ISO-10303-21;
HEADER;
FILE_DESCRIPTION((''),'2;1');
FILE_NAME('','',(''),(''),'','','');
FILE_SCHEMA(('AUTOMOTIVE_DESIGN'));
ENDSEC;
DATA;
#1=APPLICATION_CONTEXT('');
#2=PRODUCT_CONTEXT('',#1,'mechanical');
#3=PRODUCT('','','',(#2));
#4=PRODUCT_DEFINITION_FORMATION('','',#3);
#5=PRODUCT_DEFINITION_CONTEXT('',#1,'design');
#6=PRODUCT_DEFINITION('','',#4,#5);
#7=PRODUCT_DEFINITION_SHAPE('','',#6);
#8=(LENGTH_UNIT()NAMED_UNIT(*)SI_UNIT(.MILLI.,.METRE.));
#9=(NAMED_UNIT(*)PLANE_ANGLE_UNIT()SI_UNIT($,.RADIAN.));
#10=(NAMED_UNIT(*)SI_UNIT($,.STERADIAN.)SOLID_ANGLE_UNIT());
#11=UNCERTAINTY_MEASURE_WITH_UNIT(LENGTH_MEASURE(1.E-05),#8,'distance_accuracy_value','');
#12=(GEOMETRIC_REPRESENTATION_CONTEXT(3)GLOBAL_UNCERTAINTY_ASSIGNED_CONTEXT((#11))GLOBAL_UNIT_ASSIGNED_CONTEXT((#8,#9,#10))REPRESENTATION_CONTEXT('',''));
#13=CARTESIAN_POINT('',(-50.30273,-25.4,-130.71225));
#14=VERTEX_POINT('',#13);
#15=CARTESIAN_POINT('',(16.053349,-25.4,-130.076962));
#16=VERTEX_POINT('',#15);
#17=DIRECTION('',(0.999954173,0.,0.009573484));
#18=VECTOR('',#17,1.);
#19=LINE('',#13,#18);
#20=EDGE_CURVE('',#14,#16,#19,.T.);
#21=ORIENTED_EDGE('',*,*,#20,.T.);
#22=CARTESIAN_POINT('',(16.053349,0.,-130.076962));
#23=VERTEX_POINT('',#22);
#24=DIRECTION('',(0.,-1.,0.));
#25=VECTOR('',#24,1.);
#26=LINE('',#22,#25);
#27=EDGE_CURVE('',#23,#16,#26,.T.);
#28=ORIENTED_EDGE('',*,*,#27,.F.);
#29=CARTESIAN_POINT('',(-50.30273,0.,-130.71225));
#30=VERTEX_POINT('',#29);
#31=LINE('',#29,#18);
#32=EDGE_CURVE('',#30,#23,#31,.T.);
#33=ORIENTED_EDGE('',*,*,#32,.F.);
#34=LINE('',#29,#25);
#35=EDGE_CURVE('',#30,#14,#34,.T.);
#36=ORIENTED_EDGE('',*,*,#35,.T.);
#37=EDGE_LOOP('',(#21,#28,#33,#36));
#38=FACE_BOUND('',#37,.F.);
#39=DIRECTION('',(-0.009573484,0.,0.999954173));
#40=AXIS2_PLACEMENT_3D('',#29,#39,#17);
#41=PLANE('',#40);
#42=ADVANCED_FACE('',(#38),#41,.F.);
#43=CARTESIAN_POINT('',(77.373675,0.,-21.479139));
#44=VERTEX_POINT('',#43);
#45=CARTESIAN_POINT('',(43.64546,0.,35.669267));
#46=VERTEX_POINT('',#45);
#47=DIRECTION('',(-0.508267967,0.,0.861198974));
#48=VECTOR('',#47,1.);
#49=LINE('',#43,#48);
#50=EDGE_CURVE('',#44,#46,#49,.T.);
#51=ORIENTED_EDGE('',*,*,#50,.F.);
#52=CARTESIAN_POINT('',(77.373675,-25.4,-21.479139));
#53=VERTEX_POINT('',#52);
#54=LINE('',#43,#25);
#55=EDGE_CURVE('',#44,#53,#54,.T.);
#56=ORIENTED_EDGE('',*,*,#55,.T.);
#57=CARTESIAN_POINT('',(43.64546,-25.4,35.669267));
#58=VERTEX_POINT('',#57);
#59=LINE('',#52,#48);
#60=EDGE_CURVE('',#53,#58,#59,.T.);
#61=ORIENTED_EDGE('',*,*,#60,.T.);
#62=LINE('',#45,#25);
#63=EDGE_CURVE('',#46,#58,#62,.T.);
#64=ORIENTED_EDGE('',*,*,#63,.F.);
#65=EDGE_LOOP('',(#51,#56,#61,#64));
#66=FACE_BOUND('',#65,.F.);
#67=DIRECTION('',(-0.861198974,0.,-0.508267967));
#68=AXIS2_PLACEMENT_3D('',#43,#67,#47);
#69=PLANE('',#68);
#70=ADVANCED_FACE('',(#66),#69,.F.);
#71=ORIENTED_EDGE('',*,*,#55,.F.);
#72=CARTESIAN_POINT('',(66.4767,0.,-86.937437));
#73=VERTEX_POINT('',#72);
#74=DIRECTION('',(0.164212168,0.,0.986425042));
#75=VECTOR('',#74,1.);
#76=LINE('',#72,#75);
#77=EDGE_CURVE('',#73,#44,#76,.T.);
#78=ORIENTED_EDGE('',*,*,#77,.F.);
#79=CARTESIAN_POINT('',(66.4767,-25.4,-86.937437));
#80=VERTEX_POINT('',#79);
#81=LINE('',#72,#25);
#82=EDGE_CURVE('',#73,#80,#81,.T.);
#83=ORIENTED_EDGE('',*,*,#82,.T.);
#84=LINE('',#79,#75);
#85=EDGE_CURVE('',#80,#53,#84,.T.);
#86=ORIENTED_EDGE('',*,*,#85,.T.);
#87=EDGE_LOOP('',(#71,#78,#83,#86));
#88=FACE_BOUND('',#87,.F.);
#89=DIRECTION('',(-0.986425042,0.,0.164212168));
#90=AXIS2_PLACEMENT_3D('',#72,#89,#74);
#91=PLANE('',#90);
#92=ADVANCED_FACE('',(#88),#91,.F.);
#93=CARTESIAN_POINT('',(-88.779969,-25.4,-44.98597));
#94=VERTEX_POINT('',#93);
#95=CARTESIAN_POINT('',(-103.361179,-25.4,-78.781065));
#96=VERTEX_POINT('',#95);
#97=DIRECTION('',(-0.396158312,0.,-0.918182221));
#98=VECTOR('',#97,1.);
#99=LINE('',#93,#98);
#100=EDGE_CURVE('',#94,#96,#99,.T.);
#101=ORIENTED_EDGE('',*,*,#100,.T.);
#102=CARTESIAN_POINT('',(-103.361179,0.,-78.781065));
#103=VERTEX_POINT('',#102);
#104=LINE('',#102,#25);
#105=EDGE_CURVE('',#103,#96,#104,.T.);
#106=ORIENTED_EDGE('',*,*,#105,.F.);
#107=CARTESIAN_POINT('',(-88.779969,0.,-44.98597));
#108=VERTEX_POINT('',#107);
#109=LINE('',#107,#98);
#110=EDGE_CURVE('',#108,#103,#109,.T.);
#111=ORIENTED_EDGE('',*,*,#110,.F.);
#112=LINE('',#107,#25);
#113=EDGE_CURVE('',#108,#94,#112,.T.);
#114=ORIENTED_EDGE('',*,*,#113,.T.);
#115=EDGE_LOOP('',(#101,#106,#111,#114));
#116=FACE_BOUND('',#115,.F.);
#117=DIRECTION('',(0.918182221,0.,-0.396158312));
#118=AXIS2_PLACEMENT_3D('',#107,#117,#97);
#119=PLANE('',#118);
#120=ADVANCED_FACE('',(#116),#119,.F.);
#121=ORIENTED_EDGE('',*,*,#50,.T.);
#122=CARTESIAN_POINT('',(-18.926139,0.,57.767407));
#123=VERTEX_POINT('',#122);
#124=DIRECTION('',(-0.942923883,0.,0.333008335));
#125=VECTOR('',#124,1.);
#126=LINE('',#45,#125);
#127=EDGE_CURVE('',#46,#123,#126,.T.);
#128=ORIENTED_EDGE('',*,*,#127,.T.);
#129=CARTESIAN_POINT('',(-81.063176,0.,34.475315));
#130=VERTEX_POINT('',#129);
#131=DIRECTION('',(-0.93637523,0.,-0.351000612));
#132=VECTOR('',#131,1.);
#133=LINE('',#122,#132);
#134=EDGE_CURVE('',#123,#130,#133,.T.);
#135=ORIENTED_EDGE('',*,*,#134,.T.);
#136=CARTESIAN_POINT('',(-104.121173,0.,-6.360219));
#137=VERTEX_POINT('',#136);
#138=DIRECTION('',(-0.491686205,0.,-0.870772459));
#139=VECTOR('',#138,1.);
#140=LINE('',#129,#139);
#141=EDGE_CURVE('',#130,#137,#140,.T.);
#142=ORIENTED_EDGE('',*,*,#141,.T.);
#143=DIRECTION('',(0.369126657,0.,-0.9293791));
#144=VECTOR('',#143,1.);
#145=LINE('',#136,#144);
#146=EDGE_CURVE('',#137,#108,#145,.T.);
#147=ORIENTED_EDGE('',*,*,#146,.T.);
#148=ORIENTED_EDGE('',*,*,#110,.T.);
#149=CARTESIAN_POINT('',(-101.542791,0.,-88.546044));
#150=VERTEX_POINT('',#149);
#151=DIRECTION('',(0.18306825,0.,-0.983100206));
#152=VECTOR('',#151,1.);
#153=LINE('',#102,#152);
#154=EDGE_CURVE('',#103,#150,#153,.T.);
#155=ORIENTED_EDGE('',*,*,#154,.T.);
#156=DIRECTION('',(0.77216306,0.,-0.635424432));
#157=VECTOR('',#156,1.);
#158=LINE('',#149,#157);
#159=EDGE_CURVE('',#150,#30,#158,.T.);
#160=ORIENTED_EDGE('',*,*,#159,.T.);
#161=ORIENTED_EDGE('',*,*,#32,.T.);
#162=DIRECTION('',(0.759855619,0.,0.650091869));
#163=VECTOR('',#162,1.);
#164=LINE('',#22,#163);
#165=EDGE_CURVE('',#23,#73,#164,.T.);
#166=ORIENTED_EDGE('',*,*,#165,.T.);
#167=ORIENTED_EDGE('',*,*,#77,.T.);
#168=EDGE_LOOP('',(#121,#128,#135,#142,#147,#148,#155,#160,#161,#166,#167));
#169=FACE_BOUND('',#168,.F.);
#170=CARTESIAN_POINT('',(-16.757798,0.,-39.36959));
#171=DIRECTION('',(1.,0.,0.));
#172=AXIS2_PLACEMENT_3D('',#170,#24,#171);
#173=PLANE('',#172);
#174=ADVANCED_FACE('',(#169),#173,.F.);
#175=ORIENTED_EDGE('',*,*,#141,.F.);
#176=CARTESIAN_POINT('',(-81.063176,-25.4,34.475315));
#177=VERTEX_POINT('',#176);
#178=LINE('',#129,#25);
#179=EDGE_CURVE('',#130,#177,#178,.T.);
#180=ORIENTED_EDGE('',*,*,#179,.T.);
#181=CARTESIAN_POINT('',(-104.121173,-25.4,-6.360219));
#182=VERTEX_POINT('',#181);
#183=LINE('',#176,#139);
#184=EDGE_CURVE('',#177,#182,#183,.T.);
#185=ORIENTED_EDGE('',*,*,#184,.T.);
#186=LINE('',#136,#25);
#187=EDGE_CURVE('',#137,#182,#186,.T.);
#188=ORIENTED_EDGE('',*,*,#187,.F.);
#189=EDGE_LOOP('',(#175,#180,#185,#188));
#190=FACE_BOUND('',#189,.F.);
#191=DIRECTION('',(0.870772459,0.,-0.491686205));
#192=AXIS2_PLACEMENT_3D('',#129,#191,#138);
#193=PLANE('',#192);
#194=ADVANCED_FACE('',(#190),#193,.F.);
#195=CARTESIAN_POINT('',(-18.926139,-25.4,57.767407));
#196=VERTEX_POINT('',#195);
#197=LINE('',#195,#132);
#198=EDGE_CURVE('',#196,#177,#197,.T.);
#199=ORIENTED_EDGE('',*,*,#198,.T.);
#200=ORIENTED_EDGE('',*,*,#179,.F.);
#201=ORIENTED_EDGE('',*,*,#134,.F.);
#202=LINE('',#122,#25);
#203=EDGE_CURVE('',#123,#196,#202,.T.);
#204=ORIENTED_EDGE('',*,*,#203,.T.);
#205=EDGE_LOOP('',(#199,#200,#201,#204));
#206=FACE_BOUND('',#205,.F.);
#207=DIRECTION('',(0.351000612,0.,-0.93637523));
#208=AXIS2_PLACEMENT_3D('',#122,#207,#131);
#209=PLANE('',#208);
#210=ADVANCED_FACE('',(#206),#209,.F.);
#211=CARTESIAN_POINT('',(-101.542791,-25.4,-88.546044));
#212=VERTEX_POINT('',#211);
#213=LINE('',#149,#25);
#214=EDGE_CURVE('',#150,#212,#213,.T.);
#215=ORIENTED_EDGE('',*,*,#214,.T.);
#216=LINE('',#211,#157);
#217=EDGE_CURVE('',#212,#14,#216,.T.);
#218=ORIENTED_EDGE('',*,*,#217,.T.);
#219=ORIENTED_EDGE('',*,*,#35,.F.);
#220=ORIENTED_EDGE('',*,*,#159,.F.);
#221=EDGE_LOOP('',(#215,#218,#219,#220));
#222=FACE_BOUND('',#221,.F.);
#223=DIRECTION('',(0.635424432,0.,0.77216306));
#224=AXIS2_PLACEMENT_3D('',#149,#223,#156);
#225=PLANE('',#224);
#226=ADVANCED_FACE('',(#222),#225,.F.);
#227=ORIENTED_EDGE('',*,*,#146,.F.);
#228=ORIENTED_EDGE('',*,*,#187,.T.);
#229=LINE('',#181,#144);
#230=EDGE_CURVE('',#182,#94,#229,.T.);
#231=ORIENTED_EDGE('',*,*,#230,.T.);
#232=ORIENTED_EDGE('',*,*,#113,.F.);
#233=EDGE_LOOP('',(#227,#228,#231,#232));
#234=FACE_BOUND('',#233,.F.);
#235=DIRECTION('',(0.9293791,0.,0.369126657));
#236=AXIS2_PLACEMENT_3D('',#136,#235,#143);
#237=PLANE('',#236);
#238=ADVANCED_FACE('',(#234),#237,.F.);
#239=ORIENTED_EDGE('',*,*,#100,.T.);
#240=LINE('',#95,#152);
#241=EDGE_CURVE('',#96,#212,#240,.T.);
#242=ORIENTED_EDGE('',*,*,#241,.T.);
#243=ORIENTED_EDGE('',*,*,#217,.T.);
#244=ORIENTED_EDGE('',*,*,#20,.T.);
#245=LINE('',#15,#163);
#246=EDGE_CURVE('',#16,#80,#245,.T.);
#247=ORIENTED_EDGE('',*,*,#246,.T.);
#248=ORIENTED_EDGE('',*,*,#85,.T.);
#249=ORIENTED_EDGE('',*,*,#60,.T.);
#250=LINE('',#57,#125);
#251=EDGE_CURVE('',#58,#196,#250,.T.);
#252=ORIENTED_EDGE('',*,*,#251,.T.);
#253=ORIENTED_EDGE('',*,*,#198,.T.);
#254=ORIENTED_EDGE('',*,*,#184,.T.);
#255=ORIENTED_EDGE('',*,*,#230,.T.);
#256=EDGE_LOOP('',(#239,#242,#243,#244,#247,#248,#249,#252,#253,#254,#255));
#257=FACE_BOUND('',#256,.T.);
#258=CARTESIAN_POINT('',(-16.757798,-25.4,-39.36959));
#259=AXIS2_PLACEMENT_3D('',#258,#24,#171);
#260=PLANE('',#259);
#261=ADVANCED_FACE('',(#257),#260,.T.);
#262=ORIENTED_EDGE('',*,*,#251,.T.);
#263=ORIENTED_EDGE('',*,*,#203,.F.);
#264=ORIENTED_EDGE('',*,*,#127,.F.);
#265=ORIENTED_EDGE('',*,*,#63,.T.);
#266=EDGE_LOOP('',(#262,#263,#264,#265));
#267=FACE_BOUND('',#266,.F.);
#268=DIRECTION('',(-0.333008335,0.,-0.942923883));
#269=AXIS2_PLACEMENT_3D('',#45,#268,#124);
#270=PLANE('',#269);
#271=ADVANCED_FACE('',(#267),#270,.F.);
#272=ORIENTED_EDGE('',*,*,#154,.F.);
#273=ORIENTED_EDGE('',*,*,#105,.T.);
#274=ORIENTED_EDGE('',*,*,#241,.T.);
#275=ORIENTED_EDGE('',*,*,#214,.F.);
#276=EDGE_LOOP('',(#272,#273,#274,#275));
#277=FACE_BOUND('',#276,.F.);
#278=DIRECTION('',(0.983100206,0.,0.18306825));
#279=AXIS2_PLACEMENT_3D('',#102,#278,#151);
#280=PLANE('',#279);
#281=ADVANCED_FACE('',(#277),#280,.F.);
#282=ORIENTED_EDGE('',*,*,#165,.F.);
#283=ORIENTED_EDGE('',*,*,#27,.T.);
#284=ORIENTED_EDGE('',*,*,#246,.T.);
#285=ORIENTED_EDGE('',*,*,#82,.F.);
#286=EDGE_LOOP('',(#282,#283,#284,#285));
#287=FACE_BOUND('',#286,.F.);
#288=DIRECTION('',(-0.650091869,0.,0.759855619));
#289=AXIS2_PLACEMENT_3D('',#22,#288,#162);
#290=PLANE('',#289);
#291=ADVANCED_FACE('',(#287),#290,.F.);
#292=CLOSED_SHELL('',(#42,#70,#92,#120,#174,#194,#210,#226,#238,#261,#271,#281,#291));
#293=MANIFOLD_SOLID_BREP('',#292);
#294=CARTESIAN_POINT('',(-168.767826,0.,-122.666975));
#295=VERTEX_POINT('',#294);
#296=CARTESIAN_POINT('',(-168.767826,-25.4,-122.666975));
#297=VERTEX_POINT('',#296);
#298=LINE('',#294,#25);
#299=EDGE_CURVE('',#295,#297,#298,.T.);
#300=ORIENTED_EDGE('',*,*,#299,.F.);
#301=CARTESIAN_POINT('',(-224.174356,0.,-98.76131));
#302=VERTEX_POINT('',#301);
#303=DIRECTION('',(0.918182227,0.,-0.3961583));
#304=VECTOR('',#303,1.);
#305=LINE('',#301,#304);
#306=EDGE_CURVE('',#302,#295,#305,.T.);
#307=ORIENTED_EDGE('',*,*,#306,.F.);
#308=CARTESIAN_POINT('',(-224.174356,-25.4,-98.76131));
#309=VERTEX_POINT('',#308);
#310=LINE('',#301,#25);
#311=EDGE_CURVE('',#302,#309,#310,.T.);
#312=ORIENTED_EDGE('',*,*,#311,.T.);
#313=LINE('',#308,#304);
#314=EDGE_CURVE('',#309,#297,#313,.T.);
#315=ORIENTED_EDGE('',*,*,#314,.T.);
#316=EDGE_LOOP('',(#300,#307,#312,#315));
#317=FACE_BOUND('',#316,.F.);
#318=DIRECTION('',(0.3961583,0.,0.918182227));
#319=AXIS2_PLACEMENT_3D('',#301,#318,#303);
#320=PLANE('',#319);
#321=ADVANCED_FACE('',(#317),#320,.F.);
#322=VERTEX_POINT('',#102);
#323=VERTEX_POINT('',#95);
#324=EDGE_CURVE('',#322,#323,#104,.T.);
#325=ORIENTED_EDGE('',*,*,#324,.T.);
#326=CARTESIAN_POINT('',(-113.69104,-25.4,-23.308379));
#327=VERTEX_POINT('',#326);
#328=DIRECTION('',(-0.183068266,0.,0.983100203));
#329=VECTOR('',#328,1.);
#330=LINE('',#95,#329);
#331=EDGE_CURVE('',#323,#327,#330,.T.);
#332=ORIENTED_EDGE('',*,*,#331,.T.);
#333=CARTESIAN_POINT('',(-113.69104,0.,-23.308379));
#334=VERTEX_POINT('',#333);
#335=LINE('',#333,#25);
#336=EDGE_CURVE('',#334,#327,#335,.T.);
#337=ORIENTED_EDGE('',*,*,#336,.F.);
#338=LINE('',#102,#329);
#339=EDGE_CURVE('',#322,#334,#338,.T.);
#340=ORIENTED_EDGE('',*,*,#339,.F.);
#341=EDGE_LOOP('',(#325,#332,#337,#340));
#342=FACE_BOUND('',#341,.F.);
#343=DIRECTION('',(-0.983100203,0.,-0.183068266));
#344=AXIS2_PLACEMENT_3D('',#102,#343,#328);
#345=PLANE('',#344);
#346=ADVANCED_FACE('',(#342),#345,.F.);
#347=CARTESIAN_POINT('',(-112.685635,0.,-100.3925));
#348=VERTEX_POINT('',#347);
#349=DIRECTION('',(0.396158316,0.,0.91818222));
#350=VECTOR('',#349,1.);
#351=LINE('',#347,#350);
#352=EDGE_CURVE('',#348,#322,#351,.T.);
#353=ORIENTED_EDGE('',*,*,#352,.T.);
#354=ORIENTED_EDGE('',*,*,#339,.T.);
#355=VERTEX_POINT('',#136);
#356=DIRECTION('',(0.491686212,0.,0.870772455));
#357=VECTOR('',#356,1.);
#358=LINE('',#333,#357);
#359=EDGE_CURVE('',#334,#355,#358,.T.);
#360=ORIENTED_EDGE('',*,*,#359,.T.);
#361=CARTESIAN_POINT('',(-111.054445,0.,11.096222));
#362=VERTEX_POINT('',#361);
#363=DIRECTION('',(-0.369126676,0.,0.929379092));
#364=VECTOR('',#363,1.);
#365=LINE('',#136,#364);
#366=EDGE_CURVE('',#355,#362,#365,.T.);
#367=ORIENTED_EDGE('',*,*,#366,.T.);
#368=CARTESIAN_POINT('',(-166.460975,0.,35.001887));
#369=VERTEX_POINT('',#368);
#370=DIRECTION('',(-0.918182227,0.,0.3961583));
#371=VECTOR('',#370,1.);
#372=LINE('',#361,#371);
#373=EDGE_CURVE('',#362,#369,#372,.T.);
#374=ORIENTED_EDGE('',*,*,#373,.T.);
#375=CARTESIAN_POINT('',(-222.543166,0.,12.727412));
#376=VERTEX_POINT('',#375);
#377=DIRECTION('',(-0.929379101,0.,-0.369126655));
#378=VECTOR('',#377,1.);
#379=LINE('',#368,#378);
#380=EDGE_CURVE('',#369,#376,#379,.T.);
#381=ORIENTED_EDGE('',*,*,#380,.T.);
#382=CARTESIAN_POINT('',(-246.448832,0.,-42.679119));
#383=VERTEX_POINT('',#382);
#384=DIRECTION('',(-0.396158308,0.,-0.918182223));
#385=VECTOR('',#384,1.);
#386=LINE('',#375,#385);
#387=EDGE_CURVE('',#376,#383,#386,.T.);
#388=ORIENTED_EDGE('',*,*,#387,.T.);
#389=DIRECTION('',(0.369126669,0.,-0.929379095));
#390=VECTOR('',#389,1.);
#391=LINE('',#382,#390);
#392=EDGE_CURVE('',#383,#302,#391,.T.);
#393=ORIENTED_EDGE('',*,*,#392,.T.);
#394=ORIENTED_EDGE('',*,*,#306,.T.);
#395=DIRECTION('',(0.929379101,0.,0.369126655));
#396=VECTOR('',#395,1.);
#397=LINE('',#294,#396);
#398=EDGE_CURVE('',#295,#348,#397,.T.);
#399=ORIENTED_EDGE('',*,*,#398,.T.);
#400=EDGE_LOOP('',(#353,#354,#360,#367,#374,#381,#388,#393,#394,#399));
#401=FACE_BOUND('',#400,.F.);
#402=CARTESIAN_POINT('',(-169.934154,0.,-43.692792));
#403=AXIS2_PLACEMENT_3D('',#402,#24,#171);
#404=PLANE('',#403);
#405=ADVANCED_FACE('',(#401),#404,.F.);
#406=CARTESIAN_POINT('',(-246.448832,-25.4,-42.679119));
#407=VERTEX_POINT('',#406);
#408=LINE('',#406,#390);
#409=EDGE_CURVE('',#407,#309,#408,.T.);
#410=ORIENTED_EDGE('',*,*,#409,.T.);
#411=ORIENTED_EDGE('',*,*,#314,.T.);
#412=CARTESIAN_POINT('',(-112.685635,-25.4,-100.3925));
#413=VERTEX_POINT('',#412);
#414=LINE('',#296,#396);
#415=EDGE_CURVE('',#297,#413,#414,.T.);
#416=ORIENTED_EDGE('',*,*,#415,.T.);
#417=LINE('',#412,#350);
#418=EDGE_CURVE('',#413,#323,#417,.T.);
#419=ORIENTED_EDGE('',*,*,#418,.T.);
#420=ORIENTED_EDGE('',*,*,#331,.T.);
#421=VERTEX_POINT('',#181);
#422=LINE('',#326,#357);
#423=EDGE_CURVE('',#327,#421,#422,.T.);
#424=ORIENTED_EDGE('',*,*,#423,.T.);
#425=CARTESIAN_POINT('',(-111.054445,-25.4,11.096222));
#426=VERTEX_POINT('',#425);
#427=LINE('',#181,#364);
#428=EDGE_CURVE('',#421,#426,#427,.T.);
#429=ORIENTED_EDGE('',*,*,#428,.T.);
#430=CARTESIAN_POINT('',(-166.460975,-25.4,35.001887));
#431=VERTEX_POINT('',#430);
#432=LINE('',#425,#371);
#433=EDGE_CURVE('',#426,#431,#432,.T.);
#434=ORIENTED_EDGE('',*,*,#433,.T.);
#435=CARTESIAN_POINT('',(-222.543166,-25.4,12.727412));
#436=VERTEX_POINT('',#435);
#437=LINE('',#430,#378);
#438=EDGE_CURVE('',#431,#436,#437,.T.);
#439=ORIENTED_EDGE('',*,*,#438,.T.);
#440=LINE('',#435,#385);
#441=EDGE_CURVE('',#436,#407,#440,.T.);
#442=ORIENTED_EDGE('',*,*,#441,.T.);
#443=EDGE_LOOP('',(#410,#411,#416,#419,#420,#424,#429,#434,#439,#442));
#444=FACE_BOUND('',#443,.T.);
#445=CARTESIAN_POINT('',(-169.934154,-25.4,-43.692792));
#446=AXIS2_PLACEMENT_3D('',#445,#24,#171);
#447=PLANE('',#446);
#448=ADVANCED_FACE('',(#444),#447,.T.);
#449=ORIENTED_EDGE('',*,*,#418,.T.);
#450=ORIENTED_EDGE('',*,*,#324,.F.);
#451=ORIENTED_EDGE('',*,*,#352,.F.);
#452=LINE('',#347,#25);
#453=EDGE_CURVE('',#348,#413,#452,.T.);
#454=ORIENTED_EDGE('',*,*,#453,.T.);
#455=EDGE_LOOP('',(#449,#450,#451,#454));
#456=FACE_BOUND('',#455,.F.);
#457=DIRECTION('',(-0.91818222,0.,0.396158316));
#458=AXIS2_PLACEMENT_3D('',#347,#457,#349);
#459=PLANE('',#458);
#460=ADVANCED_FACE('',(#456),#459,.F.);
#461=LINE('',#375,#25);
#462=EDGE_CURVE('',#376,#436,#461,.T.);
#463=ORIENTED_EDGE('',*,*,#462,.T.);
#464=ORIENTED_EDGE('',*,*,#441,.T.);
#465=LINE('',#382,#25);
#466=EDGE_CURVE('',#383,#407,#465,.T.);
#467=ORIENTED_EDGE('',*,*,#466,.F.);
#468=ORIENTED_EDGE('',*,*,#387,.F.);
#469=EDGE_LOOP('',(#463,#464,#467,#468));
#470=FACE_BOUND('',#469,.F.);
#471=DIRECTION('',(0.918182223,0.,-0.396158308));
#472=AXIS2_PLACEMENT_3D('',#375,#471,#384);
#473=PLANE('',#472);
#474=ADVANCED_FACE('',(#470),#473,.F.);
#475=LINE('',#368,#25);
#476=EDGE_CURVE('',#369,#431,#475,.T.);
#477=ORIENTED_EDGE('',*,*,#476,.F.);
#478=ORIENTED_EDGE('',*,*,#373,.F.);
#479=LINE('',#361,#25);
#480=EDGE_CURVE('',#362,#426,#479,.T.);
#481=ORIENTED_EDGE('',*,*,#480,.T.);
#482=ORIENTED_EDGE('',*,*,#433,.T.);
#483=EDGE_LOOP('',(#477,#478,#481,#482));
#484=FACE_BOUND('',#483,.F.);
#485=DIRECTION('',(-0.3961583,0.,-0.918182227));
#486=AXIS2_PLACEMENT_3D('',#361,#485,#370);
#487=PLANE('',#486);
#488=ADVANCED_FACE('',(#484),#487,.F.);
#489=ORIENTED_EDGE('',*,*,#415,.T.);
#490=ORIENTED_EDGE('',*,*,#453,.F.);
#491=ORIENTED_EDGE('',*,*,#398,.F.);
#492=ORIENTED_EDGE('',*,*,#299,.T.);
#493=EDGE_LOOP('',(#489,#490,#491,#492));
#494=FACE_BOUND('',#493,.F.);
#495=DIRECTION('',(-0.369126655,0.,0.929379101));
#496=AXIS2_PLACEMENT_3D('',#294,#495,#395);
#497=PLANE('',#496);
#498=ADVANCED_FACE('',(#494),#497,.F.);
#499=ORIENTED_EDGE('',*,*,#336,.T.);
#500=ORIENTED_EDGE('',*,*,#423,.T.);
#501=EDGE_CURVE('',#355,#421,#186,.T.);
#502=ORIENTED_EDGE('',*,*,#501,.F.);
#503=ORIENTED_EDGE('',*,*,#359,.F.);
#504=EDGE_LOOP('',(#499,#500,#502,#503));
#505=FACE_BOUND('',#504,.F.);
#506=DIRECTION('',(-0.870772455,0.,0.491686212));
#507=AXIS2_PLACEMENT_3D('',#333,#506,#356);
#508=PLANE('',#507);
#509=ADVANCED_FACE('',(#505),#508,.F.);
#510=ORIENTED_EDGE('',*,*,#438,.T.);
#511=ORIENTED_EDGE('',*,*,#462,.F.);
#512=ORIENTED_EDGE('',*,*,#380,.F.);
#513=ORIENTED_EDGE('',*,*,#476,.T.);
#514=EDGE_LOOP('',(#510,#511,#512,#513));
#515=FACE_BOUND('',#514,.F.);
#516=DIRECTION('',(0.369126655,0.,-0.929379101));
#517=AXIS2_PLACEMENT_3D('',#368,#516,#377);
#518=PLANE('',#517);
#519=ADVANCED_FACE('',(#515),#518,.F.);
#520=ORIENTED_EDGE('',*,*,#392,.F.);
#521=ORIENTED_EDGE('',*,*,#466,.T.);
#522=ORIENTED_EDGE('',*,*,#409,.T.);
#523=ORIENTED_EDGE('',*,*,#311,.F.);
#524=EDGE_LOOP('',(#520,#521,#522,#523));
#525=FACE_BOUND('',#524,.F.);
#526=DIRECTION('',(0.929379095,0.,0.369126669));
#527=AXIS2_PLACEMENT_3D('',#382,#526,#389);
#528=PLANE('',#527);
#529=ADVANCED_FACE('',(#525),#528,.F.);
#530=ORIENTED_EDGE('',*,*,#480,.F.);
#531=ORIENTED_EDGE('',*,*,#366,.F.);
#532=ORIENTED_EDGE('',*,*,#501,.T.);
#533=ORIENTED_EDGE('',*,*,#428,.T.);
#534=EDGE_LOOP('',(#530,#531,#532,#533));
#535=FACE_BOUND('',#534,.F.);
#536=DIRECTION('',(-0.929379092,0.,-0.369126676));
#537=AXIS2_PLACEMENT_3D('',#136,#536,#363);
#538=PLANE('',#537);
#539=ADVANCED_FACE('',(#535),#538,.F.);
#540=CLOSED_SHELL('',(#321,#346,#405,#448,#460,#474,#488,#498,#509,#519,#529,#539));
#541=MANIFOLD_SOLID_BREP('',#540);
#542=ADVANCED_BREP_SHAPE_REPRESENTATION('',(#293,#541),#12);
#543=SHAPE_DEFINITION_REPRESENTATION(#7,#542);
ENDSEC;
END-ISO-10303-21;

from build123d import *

# Parameters (mm, degrees)
F1_DEPTH = 25.4


with BuildPart() as f1:
    # F0 (on Front) → F1 (new body)
    with BuildSketch(Plane.XZ):
        Polygon((43.64546, 35.669267), (-18.926139, 57.767407), (-81.063176, 34.475315), (-104.121173, -6.360219), (-88.779969, -44.98597), (-103.361179, -78.781065), (-101.542791, -88.546044), (-50.30273, -130.71225), (16.053349, -130.076962), (66.4767, -86.937437), (77.373675, -21.479139), align=None)
        Polygon((-113.69104, -23.308379), (-104.121173, -6.360219), (-111.054445, 11.096222), (-166.460975, 35.001887), (-222.543166, 12.727412), (-246.448832, -42.679119), (-224.174356, -98.76131), (-168.767826, -122.666975), (-112.685635, -100.3925), (-103.361179, -78.781065), align=None)
    extrude(amount=F1_DEPTH)


solid = f1.part
